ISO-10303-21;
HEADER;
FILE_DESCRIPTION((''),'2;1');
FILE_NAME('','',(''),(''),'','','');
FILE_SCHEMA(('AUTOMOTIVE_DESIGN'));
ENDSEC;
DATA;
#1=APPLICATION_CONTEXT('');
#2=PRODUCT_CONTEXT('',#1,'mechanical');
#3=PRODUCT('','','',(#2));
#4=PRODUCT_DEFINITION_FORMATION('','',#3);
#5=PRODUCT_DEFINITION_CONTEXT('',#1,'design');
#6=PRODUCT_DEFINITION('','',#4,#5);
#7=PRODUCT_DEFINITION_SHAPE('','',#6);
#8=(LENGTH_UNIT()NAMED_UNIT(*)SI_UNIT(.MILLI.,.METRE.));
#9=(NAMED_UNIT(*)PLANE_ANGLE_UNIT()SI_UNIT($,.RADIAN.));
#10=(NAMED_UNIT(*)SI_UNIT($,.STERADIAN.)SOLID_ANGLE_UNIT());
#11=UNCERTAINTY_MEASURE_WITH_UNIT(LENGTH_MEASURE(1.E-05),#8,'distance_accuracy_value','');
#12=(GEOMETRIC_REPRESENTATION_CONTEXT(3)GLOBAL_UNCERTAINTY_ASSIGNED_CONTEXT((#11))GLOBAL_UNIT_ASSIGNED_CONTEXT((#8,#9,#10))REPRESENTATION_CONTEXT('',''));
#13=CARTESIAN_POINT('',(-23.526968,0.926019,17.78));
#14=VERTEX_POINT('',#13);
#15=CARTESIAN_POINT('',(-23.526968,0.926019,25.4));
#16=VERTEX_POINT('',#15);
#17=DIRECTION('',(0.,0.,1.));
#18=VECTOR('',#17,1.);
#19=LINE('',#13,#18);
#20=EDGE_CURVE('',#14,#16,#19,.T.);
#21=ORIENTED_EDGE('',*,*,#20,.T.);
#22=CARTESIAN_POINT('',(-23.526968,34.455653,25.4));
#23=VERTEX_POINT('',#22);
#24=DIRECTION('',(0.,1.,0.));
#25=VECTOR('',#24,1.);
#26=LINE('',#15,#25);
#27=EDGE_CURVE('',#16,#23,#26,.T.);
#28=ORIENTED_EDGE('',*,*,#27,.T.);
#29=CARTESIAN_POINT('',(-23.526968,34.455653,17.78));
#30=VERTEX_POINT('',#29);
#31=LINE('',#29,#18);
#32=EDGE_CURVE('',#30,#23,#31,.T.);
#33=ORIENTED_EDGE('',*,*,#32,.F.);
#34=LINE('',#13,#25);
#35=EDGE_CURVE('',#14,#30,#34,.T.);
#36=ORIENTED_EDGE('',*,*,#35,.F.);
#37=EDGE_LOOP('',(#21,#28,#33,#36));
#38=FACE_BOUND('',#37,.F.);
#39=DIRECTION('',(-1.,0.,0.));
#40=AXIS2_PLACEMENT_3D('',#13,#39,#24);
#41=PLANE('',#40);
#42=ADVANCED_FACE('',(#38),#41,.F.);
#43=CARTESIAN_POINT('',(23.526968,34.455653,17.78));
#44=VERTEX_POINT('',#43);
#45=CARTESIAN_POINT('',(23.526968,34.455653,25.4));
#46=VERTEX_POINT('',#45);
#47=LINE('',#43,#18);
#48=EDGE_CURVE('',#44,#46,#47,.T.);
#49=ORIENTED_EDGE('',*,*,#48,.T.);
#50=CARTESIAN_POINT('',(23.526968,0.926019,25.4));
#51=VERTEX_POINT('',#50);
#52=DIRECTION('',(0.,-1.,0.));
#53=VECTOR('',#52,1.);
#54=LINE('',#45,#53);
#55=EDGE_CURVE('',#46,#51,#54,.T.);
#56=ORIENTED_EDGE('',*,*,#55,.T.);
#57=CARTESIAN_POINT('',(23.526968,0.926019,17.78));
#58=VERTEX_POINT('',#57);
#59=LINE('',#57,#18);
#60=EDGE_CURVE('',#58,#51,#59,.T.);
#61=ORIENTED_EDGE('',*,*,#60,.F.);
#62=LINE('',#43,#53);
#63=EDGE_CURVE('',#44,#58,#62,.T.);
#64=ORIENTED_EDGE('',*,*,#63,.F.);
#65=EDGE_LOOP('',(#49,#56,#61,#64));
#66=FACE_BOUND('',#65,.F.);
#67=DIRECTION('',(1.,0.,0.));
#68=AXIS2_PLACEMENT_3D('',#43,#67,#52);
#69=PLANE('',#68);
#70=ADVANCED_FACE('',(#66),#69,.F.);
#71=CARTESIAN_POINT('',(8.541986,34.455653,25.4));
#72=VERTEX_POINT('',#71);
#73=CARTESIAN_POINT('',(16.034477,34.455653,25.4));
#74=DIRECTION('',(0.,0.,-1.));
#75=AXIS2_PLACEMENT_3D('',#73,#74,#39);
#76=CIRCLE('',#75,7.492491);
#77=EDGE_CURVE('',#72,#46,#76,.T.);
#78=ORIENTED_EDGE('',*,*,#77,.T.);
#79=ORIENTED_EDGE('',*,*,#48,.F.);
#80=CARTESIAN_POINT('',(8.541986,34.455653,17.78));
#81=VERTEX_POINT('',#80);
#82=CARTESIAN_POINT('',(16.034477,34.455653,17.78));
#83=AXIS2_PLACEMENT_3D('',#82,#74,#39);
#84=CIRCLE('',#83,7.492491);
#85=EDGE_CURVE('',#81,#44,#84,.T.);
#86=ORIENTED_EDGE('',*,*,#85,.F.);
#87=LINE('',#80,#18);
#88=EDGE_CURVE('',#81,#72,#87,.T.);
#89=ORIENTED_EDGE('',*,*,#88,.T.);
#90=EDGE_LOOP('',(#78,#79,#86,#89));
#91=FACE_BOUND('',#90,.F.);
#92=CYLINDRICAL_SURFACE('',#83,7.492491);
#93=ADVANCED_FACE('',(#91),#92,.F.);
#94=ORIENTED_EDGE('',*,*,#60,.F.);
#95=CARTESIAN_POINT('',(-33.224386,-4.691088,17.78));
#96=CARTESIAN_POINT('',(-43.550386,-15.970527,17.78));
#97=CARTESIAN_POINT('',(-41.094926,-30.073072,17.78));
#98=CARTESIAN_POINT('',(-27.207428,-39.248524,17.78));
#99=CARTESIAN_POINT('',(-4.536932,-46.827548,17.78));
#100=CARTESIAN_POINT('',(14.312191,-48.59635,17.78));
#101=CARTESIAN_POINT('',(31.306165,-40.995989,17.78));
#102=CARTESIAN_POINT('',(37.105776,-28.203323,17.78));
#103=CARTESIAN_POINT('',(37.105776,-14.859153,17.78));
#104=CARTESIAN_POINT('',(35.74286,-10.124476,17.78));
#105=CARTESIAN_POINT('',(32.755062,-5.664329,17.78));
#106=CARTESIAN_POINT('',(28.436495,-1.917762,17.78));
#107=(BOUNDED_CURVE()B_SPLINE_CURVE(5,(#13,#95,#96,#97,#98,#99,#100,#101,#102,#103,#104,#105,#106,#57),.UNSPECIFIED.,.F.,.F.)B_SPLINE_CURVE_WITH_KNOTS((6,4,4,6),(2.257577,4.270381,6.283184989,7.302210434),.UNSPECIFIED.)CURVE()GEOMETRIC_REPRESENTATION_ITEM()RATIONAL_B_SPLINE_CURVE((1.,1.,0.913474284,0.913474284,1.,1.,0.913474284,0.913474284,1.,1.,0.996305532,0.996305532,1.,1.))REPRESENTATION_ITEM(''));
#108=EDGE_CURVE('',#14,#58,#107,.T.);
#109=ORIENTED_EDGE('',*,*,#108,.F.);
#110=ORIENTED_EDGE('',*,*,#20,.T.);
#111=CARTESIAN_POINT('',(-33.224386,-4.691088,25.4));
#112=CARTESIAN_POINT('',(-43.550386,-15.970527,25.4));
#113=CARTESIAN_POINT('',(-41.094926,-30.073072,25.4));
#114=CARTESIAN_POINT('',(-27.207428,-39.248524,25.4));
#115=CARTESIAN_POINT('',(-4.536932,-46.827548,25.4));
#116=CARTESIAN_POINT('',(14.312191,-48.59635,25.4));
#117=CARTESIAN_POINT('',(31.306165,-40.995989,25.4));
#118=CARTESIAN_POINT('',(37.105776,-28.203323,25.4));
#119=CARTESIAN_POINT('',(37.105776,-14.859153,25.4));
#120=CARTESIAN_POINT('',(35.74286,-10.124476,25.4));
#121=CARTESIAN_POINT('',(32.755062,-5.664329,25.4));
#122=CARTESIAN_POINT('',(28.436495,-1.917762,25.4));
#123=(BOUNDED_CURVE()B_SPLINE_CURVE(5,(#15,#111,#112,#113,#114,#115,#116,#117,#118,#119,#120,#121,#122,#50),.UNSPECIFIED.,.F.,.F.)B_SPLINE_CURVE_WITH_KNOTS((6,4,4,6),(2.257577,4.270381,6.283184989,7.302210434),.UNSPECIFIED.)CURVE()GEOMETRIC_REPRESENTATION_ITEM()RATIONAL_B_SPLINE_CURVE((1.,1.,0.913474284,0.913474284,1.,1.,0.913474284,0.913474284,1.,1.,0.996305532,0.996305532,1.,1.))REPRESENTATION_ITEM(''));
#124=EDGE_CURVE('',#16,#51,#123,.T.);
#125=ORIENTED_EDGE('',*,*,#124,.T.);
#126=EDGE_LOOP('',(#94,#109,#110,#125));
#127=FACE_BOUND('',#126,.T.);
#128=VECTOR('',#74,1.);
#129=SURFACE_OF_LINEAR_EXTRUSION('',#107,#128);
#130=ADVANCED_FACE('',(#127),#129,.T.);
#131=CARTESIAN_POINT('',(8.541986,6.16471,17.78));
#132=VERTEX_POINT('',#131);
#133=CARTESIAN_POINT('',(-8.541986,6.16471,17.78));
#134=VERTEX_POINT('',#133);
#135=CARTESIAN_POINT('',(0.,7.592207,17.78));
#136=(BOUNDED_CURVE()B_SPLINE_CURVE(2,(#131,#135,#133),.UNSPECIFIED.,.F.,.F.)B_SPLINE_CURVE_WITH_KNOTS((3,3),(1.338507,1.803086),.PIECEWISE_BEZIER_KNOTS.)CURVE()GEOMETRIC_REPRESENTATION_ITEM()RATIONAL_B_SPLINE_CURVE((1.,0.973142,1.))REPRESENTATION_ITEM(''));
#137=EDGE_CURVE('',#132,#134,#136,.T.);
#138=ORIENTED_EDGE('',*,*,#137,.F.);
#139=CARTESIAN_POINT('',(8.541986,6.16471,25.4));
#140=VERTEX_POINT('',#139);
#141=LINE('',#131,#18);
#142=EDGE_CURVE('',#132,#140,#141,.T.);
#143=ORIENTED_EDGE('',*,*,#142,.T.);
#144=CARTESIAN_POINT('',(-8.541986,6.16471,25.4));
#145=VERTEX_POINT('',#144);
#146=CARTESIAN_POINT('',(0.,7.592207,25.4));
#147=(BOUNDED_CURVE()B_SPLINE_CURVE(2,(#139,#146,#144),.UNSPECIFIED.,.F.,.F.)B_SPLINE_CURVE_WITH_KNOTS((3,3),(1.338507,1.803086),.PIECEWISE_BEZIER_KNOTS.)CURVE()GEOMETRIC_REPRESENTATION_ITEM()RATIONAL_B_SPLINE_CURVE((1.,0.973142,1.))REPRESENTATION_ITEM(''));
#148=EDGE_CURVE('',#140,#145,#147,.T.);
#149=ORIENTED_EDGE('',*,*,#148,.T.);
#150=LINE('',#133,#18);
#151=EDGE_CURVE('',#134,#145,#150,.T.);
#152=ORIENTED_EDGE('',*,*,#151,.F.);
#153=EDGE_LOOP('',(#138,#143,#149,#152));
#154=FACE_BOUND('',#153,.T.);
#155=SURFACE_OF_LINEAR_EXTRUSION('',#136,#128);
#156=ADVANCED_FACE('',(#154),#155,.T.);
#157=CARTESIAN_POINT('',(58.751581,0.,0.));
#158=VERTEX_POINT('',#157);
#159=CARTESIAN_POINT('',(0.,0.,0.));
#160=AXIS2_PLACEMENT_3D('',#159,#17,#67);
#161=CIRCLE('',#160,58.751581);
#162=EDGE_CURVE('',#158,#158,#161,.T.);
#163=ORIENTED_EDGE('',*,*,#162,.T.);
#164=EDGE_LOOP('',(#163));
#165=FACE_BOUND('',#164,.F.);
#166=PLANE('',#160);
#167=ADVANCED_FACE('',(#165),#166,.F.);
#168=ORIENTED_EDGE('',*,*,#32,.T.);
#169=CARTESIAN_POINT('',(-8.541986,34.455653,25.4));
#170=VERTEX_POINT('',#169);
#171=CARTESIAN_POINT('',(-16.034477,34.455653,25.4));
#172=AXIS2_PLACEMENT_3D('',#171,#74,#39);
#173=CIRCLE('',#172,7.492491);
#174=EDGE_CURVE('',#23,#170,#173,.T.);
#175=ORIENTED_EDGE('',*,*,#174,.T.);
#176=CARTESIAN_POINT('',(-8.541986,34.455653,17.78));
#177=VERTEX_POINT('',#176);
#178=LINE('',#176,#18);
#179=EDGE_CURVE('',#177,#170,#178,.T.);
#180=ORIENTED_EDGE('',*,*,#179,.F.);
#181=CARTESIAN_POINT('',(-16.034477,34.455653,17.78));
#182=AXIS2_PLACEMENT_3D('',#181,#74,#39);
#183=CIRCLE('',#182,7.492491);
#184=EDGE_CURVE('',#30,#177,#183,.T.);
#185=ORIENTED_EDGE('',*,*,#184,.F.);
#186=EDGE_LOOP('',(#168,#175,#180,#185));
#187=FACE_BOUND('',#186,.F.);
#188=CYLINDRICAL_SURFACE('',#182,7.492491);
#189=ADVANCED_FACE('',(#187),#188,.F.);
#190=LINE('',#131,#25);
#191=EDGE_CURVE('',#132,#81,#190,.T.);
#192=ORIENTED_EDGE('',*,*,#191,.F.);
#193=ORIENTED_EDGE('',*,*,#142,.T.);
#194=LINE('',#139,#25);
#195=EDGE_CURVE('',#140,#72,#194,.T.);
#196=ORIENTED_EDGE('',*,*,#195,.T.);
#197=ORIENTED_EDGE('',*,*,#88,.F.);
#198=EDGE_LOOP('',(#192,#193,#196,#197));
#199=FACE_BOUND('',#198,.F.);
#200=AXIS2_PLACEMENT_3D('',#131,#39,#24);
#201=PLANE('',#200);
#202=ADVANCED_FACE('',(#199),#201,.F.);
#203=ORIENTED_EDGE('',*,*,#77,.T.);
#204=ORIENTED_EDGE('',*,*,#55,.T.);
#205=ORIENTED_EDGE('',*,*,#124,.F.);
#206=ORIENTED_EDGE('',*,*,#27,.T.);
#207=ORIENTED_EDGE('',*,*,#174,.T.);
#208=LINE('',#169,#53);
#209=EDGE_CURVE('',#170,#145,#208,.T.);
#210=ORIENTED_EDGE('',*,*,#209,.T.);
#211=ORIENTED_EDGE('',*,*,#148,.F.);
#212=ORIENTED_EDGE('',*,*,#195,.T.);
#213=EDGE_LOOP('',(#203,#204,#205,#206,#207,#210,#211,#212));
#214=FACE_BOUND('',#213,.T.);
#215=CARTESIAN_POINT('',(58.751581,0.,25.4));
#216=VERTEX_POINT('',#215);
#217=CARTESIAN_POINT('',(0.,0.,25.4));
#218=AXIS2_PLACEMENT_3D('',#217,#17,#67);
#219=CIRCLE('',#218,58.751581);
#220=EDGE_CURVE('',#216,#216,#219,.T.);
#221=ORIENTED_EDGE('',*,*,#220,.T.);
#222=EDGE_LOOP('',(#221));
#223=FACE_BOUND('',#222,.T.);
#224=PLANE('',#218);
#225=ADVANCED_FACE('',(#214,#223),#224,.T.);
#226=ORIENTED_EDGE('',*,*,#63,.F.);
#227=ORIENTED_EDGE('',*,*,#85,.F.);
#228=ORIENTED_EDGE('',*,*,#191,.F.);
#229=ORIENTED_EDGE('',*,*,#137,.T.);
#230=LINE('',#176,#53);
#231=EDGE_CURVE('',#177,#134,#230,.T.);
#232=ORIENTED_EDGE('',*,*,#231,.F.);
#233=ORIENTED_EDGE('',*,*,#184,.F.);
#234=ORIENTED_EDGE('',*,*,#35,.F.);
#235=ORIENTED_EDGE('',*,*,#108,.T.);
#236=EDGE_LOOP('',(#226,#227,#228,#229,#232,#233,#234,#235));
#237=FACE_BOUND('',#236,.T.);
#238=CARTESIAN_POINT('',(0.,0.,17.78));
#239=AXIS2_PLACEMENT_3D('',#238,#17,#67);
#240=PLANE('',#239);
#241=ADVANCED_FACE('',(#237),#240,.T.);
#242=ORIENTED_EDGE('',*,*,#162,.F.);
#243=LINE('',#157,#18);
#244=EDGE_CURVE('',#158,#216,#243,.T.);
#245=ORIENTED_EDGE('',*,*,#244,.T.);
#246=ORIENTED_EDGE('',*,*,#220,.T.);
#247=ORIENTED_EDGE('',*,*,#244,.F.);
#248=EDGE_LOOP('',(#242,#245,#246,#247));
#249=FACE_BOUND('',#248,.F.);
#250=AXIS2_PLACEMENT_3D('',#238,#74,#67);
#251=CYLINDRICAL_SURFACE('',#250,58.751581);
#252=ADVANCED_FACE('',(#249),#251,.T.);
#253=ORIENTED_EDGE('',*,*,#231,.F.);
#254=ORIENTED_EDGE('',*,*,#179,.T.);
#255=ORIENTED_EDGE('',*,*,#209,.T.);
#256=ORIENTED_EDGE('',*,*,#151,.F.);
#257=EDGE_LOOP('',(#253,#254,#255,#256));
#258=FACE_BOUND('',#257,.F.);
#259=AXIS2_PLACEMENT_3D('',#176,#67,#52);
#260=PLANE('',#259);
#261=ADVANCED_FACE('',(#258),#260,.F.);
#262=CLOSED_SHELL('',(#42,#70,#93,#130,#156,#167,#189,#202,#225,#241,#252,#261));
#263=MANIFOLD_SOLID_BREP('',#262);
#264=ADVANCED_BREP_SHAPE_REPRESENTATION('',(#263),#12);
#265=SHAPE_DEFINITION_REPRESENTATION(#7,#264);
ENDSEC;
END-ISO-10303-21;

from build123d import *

# Parameters (mm, degrees)
F0_R     = 58.751581
F1_DEPTH = 17.78
F2_R     = 58.751581
F3_DEPTH = 7.62


with BuildPart() as f1:
    # F0 (on Top) → F1 (new body)
    with BuildSketch(Plane.XY):
        Circle(F0_R)
    extrude(amount=F1_DEPTH)

    # F2 (on face) → F3 (join)
    with BuildSketch(Plane.XY.offset(17.78)):
        Circle(F2_R)
        with BuildLine():
            add(Edge.make_bspline(
                [(37.105776, -19.34425), (37.105776, -6.939334), (23.526968, 0.926019)],
                knots=[0, 0, 0, 0.884015, 0.884015, 0.884015], degree=2, weights=[1, 0.903895, 1]))
            add(Edge.make_bspline(
                [(-23.526968, 0.926019), (-68.850136, -25.326856), (-15.87218, -43.038036), (37.105776, -60.749215), (37.105776, -19.34425)],
                knots=[2.257577, 2.257577, 2.257577, 4.270381, 4.270381, 6.283185, 6.283185, 6.283185], degree=2, weights=[1, 0.534904, 1, 0.534904, 1]))
            Line((-23.526968, 0.926019), (-23.526968, 34.455653))
            ThreePointArc((-23.526968, 34.455653), (-16.034477, 41.948144), (-8.541986, 34.455653))
            Line((-8.541986, 34.455653), (-8.541986, 6.16471))
            add(Edge.make_bspline(
                [(8.541986, 6.16471), (0, 7.592207), (-8.541986, 6.16471)],
                knots=[1.338507, 1.338507, 1.338507, 1.803086, 1.803086, 1.803086], degree=2, weights=[1, 0.973142, 1]))
            Line((8.541986, 6.16471), (8.541986, 34.455653))
            ThreePointArc((8.541986, 34.455653), (16.034477, 41.948144), (23.526968, 34.455653))
            Line((23.526968, 34.455653), (23.526968, 0.926019))
        make_face(mode=Mode.SUBTRACT)
    extrude(amount=F3_DEPTH)


solid = f1.part
